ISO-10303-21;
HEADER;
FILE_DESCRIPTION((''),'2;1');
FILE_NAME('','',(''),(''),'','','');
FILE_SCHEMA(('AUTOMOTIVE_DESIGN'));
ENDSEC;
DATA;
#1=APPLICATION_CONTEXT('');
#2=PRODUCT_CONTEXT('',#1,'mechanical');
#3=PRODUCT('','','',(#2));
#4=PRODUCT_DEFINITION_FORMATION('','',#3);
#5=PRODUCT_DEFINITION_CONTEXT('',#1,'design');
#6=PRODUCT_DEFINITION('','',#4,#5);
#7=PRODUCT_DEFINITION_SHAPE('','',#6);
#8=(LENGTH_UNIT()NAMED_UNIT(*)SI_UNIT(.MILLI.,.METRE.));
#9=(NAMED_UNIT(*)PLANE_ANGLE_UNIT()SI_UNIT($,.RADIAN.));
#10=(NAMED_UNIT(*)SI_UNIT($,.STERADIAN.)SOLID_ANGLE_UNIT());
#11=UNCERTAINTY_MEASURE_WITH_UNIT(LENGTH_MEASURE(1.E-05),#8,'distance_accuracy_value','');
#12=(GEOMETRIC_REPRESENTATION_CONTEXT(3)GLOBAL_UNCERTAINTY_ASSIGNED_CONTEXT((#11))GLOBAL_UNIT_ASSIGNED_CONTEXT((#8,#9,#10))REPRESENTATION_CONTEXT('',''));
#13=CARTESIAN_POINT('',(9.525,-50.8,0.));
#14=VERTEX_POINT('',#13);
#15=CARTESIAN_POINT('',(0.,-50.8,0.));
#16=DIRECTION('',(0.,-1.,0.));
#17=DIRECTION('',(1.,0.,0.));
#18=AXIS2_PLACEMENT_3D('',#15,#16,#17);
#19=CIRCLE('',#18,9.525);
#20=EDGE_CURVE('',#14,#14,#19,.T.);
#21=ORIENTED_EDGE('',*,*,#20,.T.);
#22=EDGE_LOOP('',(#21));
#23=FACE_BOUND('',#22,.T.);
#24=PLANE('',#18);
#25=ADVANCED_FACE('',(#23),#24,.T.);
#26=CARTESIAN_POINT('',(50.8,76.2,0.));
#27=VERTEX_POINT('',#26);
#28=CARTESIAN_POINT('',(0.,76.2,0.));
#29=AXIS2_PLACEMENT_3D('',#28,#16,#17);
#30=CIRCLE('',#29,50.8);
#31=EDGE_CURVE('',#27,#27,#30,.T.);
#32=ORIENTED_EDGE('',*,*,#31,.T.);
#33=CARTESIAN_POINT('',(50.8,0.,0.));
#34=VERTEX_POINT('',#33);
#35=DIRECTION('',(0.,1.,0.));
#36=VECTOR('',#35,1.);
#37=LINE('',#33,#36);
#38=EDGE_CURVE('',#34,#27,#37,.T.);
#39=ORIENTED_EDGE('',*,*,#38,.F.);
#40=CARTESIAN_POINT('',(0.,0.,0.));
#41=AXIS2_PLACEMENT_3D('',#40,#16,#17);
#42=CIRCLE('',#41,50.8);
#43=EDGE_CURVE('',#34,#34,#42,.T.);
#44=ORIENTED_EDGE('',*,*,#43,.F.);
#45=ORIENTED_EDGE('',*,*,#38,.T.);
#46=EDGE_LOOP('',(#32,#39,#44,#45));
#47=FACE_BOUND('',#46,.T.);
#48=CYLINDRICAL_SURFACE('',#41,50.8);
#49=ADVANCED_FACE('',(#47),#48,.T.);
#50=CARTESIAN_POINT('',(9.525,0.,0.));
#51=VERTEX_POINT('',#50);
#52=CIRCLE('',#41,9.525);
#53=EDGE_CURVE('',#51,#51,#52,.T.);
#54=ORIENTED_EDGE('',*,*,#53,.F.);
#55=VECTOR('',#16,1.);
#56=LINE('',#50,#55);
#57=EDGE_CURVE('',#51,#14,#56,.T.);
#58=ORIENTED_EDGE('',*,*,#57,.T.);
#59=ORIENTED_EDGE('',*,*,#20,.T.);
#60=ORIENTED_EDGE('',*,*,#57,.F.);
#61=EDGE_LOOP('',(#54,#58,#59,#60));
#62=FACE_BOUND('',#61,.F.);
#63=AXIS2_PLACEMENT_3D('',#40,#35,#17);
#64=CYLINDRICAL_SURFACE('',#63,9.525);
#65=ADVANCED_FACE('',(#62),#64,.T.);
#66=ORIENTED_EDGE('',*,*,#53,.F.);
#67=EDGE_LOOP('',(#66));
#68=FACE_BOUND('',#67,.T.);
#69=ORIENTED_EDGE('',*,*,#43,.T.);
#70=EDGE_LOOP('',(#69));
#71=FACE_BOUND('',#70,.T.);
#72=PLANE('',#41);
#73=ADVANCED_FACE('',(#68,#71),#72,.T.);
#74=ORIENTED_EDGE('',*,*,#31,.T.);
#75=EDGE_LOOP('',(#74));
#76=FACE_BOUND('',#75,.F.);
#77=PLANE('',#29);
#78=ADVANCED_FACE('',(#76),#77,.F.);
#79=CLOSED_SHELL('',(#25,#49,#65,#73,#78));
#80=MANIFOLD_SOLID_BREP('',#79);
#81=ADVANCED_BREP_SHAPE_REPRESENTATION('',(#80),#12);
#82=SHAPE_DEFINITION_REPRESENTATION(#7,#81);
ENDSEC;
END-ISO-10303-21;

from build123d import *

# Parameters (mm, degrees)
F0_R     = 50.8
F0_R_2   = 9.525
F1_DEPTH = 76.2
F2_DEPTH = 50.8


with BuildPart() as f1:
    # F0 (on Front) → F1 (new body)
    with BuildSketch(Plane.XZ):
        Circle(F0_R)
        Circle(F0_R_2, mode=Mode.SUBTRACT)
        Circle(F0_R_2)
    extrude(amount=-F1_DEPTH)

    # F0 (on Front) → F2 (join)
    with BuildSketch(Plane.XZ):
        Circle(F0_R_2)
    extrude(amount=F2_DEPTH)


solid = f1.part
